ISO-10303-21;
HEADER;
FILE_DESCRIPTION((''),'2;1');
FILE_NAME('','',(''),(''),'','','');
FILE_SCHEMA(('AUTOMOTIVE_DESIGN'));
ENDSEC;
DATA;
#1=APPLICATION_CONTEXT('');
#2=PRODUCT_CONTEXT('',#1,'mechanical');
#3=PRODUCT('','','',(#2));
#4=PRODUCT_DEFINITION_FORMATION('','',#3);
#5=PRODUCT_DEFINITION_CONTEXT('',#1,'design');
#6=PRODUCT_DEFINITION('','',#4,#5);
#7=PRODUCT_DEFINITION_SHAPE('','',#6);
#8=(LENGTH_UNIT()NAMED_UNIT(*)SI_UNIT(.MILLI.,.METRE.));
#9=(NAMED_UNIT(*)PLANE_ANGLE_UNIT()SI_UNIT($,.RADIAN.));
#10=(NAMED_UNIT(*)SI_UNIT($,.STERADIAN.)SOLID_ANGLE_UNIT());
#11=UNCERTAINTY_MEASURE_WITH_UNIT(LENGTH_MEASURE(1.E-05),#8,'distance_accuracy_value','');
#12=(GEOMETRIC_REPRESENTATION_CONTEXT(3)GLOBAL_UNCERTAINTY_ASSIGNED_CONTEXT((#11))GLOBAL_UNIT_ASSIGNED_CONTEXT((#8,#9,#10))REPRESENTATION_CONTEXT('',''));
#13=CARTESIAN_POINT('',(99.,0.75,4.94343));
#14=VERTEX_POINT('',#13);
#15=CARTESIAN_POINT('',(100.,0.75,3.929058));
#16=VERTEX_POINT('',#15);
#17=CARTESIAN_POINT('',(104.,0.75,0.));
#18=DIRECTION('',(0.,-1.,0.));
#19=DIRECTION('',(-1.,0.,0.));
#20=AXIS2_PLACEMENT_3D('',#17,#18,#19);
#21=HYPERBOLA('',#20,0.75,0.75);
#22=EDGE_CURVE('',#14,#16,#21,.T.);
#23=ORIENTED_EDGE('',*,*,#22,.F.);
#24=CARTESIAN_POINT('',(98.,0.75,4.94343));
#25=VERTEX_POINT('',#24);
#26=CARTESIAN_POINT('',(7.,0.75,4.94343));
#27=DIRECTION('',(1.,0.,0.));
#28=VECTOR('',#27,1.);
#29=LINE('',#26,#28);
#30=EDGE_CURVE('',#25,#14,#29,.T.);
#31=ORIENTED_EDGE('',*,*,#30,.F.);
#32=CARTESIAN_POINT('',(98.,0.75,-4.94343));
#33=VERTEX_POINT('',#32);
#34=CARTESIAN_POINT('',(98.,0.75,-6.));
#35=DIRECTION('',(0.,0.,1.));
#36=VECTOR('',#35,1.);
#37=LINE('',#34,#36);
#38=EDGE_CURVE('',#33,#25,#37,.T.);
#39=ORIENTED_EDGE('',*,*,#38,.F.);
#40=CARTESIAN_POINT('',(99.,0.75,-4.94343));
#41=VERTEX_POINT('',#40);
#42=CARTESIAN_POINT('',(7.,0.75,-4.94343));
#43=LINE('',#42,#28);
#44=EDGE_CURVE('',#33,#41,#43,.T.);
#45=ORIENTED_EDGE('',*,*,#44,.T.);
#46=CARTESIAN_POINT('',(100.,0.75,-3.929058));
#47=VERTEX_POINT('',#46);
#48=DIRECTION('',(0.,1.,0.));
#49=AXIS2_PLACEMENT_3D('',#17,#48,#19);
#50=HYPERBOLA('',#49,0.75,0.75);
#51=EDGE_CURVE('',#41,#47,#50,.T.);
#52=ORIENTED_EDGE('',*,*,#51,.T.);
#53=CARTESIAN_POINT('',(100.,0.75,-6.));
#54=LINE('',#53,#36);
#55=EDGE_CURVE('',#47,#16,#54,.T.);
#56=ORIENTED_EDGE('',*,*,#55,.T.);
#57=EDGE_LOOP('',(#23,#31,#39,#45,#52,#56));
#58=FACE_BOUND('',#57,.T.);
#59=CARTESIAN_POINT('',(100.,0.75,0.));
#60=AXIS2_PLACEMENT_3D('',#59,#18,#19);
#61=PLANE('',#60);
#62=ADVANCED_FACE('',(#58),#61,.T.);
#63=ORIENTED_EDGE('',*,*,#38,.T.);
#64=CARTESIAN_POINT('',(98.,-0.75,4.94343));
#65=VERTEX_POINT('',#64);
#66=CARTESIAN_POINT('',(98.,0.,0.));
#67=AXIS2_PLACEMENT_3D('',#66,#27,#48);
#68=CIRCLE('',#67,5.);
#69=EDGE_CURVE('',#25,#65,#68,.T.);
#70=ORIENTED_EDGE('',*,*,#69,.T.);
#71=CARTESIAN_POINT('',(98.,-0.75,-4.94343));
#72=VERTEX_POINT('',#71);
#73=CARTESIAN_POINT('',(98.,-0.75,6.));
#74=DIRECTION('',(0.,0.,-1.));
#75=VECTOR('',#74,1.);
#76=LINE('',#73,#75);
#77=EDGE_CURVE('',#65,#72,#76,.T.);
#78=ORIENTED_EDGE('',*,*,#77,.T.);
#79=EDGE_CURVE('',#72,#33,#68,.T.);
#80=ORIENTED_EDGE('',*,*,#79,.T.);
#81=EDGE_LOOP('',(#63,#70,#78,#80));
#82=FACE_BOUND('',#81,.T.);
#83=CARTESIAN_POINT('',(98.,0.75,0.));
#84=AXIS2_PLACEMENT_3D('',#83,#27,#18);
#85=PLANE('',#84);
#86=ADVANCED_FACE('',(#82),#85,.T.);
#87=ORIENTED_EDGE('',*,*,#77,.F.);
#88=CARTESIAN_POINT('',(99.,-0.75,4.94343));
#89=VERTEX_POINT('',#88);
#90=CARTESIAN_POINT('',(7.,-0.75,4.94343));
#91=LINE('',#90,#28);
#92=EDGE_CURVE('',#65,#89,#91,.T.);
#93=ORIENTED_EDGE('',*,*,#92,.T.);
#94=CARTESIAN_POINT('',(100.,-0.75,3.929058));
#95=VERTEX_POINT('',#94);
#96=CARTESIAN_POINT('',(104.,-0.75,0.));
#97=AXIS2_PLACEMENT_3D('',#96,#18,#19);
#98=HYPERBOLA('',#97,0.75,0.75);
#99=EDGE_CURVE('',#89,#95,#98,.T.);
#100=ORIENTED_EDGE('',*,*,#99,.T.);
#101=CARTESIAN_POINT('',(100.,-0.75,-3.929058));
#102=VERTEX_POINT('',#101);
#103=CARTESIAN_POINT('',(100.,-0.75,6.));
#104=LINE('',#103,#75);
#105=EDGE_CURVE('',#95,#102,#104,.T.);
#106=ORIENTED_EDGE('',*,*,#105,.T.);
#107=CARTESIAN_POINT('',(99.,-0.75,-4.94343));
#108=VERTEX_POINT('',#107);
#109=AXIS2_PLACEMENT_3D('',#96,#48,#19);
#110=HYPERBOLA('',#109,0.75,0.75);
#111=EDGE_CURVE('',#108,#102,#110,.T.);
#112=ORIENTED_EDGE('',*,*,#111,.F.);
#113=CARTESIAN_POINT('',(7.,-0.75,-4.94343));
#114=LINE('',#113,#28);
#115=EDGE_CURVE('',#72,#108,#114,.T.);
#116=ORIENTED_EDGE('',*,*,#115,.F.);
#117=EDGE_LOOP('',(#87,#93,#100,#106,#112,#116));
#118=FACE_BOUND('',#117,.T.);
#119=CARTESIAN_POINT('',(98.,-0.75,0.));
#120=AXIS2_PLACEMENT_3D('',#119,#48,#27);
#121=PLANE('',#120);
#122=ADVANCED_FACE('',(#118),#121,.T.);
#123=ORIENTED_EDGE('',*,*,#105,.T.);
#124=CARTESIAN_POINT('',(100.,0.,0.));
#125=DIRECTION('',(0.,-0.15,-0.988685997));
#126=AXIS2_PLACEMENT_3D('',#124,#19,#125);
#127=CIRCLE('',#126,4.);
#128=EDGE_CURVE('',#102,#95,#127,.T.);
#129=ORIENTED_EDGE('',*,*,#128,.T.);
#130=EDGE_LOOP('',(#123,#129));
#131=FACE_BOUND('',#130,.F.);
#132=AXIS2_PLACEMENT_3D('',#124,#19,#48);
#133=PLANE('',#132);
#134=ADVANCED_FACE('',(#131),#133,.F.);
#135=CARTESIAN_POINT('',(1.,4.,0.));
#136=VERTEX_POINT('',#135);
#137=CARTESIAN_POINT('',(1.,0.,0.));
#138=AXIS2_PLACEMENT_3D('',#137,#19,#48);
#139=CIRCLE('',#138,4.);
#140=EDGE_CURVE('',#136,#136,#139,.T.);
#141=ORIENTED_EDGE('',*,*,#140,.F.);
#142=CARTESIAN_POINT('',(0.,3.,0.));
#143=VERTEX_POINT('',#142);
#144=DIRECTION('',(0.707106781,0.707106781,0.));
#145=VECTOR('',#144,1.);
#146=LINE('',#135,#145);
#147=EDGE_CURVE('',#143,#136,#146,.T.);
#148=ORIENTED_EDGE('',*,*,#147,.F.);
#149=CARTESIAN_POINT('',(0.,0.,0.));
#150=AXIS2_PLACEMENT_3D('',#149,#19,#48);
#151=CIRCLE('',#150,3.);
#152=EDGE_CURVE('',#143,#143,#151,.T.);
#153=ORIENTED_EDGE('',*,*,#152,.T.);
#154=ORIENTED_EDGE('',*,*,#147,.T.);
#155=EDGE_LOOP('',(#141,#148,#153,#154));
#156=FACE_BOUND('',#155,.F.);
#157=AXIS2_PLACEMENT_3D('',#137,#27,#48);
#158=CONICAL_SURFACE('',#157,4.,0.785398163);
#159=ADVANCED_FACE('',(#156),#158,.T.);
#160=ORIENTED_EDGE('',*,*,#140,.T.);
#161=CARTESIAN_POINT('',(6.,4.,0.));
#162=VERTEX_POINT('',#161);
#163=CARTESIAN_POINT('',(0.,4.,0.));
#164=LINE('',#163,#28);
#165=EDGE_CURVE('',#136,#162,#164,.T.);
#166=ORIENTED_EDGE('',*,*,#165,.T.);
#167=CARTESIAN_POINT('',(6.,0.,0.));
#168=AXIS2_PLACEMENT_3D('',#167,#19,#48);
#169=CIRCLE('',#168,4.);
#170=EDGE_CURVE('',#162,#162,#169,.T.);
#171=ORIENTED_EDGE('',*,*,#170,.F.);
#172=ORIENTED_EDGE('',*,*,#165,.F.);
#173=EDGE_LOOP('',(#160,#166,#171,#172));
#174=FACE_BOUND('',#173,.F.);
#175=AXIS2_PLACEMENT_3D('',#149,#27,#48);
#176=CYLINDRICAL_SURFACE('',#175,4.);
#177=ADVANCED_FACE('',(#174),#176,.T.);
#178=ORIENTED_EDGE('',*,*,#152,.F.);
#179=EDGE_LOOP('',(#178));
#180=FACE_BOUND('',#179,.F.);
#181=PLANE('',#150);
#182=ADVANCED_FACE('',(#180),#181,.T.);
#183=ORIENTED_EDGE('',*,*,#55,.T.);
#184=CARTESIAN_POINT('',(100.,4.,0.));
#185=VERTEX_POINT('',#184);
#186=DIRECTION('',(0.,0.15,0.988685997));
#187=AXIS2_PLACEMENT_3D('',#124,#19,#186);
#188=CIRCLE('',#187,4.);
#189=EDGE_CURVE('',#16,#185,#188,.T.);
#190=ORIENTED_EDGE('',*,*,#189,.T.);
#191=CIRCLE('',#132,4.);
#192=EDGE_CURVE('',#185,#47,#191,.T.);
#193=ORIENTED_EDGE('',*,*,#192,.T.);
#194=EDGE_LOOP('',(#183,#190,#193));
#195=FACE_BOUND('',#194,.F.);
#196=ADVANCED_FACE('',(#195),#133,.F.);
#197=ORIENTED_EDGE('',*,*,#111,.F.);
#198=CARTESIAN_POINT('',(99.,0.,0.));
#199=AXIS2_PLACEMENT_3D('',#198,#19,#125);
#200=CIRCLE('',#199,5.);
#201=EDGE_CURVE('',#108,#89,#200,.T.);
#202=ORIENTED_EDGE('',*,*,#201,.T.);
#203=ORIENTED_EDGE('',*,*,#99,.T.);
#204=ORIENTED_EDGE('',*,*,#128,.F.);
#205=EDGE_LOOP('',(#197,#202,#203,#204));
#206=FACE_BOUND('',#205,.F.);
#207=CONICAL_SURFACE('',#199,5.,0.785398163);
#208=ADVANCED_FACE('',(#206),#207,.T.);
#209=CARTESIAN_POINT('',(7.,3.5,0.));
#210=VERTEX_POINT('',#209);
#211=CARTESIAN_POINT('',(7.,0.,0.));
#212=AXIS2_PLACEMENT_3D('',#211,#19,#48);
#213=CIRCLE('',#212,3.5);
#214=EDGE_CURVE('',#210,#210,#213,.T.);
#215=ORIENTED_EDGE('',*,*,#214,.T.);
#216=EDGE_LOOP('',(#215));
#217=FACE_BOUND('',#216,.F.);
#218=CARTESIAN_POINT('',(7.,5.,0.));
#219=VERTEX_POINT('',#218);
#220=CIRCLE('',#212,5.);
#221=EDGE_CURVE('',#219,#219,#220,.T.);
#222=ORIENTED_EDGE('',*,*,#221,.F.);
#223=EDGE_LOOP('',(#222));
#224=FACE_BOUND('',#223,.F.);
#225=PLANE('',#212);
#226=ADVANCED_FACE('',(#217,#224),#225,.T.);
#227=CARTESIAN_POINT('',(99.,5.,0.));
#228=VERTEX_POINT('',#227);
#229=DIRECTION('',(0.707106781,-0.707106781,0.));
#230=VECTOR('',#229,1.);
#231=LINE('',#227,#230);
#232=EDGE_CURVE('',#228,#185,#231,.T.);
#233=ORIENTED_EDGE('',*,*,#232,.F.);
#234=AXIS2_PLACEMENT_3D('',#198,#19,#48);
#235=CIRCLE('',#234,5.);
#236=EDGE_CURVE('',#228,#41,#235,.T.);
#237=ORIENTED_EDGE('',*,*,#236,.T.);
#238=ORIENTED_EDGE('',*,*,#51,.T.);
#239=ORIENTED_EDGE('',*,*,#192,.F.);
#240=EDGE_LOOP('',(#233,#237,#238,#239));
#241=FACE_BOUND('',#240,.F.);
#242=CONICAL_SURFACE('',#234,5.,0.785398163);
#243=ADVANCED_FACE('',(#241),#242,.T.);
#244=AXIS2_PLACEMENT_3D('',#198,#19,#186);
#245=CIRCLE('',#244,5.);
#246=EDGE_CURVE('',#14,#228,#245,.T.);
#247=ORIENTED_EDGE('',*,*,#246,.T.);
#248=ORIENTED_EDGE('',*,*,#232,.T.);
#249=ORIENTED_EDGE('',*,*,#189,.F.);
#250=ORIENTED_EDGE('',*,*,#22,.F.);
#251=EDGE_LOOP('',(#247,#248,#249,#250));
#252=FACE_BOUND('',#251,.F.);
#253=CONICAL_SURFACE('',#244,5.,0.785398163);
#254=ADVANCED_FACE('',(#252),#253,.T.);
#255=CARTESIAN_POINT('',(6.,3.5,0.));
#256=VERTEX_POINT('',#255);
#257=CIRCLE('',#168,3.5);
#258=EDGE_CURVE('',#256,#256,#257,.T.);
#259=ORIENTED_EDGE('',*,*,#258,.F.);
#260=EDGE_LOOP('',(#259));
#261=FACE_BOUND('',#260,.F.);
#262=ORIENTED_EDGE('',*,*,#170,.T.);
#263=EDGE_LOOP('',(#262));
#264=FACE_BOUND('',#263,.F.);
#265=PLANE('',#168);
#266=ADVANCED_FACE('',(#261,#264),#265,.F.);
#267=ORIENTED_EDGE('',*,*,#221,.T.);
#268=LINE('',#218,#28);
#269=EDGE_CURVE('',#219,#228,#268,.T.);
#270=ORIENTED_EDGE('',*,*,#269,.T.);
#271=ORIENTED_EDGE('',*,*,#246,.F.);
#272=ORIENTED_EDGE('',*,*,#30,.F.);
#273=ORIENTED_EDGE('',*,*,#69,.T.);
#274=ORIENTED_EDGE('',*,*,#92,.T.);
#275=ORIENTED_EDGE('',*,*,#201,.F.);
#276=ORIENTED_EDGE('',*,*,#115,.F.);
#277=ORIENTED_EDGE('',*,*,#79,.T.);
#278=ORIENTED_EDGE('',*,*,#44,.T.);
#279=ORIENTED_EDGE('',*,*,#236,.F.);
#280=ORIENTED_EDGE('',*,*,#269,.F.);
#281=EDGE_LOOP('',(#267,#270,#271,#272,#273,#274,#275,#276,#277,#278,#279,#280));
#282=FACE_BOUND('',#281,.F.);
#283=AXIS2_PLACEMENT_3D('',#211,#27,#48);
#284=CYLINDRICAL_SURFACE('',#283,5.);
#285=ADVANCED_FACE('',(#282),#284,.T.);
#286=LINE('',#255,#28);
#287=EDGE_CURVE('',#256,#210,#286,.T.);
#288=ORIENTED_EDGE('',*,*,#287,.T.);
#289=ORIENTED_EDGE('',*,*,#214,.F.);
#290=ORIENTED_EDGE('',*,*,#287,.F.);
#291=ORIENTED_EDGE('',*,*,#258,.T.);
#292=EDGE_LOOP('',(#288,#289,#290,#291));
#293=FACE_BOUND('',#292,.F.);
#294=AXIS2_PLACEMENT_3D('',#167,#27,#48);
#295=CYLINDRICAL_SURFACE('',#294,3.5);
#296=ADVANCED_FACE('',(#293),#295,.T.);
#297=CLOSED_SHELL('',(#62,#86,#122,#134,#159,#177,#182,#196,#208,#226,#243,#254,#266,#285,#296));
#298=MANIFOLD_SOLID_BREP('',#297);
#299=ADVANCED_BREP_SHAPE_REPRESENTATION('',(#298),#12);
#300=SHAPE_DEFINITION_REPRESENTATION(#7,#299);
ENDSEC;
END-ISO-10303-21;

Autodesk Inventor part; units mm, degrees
ref_plane "YZ Plane" through (0, 0, 0) normal (1, 0, 0) x (0, 1, 0)
ref_plane "XZ Plane" through (0, 0, 0) normal (0, 1, 0) x (-1, 0, 0)
ref_plane "XY Plane" through (0, 0, 0) normal (0, 0, 1) x (1, 0, 0)
sketch "Sketch1" plane through (0, 0, 0) normal (0, 0, 1) x (1, 0, 0)
  line L0 (0, 0) -> (0, 4)
  line L1 (0, 4) -> (6, 4)
  line L2 (7, 3.5) -> (7, 5)
  line L3 (7, 5) -> (100, 5)
  line L4 (100, 5) -> (100, 0)
  line L5 (100, 0) -> (0, 0)
  line L6 (6, 4) -> (6, 3.5)
  line L7 (6, 3.5) -> (7, 3.5)
  dimension "d0" = 8
  dimension "d1" = 10
  dimension "d3" = 100
  dimension "d17" = 7
  dimension "d18" = 1
  dimension "d19" = 7
revolve "Revolution1" add sketch "Sketch1" angle 360 about axis through (100, 0, 0) along (-1, 0, 0)
thread "Thread1" size "M8x1.25" class "6g" standard "ISO Metric profile" full length
chamfer "Chamfer1" distance 1 angle 45 1 edges at (0, -4, 0)
sketch "Sketch2" plane through (0, 0, 0) normal (0, 0, 1) x (1, 0, 0)
  line L0 (100, 0.75) -> (98, 0.75)
  line L1 (98, 0.75) -> (98, -0.75)
  line L2 (98, -0.75) -> (100, -0.75)
  line L3 (100, -0.75) -> (100, 0.75)
  line L4 (100, -5) -> (100, 5) construction
  point P0 (0, 0)
  point P1 (98, 0)
  dimension "d10" = 1.5
  dimension "d11" = 2
extrude "Extrusion1" cut sketch "Sketch2" along normal through all both and the other way through all
chamfer "Chamfer2" distance 1 angle 45 3 edges at (100, -5, 0) (100, 3.7914, -3.2596) (100, 3.7914, 3.2596)
properties part number "Shaft" material "Steel"
